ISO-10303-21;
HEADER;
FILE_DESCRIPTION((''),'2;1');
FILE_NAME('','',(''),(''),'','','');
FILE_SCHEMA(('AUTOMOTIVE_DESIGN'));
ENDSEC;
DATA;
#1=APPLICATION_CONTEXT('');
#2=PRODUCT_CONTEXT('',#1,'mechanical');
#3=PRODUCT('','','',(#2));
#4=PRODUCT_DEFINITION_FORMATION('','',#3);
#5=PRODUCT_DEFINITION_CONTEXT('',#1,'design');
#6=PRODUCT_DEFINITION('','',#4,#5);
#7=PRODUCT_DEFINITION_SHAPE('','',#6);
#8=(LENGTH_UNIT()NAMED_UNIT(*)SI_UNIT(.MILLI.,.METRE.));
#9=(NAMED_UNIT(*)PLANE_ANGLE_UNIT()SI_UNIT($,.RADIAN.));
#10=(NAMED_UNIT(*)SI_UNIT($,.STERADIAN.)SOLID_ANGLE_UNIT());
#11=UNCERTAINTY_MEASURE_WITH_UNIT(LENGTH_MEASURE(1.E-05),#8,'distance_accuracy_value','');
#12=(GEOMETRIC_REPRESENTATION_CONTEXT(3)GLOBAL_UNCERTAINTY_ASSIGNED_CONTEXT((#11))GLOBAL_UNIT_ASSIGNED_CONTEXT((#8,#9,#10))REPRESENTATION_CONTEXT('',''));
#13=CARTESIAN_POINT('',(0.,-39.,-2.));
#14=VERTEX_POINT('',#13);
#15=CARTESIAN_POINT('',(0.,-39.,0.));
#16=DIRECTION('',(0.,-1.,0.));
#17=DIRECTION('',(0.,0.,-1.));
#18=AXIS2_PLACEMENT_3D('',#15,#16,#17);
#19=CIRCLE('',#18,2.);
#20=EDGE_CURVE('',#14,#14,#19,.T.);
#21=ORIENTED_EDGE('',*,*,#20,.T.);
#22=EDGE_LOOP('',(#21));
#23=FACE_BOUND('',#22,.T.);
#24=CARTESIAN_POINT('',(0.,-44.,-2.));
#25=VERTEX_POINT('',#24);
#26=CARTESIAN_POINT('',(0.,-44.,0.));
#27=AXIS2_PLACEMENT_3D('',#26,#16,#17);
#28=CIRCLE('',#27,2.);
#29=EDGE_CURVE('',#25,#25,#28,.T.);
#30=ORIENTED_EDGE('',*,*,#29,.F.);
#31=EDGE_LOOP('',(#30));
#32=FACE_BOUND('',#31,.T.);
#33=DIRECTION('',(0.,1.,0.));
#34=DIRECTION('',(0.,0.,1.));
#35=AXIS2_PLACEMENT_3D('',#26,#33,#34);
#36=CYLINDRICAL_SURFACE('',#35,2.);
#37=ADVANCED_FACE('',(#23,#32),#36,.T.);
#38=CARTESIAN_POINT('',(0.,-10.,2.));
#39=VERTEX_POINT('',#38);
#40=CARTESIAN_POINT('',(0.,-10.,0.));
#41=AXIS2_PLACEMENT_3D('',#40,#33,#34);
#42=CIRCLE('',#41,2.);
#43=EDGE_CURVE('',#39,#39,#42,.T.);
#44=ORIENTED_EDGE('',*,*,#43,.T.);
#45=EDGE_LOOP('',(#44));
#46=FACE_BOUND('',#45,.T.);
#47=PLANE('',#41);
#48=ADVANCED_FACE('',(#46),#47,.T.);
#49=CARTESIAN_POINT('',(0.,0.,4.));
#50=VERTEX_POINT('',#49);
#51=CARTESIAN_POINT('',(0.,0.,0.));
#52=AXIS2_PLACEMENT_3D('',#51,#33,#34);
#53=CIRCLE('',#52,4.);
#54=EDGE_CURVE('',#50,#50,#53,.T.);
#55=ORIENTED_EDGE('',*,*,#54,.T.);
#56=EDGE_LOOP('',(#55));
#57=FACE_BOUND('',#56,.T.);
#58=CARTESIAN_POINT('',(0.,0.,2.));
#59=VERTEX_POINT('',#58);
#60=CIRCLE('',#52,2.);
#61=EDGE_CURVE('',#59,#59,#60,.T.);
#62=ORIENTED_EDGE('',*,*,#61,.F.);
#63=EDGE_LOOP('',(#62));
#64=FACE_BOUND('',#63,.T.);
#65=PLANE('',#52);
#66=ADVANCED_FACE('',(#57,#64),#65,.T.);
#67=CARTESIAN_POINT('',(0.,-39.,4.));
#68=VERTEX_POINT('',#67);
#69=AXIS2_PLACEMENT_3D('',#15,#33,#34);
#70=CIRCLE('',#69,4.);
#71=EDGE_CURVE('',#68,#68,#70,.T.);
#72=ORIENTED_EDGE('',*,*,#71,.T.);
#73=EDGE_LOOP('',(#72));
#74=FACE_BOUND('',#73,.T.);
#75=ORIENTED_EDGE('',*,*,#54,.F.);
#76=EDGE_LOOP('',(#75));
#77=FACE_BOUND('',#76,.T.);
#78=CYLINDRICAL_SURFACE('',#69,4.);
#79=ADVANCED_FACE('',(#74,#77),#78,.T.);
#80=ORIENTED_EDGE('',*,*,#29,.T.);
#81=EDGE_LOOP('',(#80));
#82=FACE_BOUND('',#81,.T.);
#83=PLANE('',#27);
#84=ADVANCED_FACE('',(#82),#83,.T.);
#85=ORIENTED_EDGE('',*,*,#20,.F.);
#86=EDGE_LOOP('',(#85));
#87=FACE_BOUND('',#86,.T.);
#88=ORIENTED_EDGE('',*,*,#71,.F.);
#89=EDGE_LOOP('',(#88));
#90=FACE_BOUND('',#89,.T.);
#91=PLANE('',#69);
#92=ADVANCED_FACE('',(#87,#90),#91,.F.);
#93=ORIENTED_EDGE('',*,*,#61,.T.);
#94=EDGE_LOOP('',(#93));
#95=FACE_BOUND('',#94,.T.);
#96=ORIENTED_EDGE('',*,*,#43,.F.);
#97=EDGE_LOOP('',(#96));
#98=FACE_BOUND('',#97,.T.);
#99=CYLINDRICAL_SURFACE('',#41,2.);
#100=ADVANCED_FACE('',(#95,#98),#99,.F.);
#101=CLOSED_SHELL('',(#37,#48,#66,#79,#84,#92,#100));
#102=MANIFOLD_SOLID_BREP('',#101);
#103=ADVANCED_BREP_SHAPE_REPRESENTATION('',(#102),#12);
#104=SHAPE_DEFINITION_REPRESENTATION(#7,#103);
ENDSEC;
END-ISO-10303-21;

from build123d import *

# Parameters (mm, degrees)
ESQUISSE1_R             = 4
BOSS_EXTRU_1_DEPTH      = 39
ESQUISSE3_R             = 2
ENL_V_MAT_EXTRU_1_DEPTH = 10
ESQUISSE4_R             = 2
BOSS_EXTRU_2_DEPTH      = 5


with BuildPart() as part:
    # Esquisse1 → Boss.-Extru.1 (new body)
    with BuildSketch(Plane(origin=(0, 0, 0), x_dir=(1, 0, 0), z_dir=(0, 1, 0))):
        Circle(ESQUISSE1_R)
    extrude(amount=-BOSS_EXTRU_1_DEPTH)

    # Esquisse3 → Enlèv. mat.-Extru.1 (cut)
    with BuildSketch(Plane(origin=(0, 0, 0), x_dir=(1, 0, 0), z_dir=(0, 1, 0))):
        Circle(ESQUISSE3_R)
    extrude(amount=-ENL_V_MAT_EXTRU_1_DEPTH, mode=Mode.SUBTRACT)

    # Esquisse4 → Boss.-Extru.2 (add)
    with BuildSketch(Plane.XZ.offset(39)):
        Circle(ESQUISSE4_R)
    extrude(amount=BOSS_EXTRU_2_DEPTH)


solid = part.part
